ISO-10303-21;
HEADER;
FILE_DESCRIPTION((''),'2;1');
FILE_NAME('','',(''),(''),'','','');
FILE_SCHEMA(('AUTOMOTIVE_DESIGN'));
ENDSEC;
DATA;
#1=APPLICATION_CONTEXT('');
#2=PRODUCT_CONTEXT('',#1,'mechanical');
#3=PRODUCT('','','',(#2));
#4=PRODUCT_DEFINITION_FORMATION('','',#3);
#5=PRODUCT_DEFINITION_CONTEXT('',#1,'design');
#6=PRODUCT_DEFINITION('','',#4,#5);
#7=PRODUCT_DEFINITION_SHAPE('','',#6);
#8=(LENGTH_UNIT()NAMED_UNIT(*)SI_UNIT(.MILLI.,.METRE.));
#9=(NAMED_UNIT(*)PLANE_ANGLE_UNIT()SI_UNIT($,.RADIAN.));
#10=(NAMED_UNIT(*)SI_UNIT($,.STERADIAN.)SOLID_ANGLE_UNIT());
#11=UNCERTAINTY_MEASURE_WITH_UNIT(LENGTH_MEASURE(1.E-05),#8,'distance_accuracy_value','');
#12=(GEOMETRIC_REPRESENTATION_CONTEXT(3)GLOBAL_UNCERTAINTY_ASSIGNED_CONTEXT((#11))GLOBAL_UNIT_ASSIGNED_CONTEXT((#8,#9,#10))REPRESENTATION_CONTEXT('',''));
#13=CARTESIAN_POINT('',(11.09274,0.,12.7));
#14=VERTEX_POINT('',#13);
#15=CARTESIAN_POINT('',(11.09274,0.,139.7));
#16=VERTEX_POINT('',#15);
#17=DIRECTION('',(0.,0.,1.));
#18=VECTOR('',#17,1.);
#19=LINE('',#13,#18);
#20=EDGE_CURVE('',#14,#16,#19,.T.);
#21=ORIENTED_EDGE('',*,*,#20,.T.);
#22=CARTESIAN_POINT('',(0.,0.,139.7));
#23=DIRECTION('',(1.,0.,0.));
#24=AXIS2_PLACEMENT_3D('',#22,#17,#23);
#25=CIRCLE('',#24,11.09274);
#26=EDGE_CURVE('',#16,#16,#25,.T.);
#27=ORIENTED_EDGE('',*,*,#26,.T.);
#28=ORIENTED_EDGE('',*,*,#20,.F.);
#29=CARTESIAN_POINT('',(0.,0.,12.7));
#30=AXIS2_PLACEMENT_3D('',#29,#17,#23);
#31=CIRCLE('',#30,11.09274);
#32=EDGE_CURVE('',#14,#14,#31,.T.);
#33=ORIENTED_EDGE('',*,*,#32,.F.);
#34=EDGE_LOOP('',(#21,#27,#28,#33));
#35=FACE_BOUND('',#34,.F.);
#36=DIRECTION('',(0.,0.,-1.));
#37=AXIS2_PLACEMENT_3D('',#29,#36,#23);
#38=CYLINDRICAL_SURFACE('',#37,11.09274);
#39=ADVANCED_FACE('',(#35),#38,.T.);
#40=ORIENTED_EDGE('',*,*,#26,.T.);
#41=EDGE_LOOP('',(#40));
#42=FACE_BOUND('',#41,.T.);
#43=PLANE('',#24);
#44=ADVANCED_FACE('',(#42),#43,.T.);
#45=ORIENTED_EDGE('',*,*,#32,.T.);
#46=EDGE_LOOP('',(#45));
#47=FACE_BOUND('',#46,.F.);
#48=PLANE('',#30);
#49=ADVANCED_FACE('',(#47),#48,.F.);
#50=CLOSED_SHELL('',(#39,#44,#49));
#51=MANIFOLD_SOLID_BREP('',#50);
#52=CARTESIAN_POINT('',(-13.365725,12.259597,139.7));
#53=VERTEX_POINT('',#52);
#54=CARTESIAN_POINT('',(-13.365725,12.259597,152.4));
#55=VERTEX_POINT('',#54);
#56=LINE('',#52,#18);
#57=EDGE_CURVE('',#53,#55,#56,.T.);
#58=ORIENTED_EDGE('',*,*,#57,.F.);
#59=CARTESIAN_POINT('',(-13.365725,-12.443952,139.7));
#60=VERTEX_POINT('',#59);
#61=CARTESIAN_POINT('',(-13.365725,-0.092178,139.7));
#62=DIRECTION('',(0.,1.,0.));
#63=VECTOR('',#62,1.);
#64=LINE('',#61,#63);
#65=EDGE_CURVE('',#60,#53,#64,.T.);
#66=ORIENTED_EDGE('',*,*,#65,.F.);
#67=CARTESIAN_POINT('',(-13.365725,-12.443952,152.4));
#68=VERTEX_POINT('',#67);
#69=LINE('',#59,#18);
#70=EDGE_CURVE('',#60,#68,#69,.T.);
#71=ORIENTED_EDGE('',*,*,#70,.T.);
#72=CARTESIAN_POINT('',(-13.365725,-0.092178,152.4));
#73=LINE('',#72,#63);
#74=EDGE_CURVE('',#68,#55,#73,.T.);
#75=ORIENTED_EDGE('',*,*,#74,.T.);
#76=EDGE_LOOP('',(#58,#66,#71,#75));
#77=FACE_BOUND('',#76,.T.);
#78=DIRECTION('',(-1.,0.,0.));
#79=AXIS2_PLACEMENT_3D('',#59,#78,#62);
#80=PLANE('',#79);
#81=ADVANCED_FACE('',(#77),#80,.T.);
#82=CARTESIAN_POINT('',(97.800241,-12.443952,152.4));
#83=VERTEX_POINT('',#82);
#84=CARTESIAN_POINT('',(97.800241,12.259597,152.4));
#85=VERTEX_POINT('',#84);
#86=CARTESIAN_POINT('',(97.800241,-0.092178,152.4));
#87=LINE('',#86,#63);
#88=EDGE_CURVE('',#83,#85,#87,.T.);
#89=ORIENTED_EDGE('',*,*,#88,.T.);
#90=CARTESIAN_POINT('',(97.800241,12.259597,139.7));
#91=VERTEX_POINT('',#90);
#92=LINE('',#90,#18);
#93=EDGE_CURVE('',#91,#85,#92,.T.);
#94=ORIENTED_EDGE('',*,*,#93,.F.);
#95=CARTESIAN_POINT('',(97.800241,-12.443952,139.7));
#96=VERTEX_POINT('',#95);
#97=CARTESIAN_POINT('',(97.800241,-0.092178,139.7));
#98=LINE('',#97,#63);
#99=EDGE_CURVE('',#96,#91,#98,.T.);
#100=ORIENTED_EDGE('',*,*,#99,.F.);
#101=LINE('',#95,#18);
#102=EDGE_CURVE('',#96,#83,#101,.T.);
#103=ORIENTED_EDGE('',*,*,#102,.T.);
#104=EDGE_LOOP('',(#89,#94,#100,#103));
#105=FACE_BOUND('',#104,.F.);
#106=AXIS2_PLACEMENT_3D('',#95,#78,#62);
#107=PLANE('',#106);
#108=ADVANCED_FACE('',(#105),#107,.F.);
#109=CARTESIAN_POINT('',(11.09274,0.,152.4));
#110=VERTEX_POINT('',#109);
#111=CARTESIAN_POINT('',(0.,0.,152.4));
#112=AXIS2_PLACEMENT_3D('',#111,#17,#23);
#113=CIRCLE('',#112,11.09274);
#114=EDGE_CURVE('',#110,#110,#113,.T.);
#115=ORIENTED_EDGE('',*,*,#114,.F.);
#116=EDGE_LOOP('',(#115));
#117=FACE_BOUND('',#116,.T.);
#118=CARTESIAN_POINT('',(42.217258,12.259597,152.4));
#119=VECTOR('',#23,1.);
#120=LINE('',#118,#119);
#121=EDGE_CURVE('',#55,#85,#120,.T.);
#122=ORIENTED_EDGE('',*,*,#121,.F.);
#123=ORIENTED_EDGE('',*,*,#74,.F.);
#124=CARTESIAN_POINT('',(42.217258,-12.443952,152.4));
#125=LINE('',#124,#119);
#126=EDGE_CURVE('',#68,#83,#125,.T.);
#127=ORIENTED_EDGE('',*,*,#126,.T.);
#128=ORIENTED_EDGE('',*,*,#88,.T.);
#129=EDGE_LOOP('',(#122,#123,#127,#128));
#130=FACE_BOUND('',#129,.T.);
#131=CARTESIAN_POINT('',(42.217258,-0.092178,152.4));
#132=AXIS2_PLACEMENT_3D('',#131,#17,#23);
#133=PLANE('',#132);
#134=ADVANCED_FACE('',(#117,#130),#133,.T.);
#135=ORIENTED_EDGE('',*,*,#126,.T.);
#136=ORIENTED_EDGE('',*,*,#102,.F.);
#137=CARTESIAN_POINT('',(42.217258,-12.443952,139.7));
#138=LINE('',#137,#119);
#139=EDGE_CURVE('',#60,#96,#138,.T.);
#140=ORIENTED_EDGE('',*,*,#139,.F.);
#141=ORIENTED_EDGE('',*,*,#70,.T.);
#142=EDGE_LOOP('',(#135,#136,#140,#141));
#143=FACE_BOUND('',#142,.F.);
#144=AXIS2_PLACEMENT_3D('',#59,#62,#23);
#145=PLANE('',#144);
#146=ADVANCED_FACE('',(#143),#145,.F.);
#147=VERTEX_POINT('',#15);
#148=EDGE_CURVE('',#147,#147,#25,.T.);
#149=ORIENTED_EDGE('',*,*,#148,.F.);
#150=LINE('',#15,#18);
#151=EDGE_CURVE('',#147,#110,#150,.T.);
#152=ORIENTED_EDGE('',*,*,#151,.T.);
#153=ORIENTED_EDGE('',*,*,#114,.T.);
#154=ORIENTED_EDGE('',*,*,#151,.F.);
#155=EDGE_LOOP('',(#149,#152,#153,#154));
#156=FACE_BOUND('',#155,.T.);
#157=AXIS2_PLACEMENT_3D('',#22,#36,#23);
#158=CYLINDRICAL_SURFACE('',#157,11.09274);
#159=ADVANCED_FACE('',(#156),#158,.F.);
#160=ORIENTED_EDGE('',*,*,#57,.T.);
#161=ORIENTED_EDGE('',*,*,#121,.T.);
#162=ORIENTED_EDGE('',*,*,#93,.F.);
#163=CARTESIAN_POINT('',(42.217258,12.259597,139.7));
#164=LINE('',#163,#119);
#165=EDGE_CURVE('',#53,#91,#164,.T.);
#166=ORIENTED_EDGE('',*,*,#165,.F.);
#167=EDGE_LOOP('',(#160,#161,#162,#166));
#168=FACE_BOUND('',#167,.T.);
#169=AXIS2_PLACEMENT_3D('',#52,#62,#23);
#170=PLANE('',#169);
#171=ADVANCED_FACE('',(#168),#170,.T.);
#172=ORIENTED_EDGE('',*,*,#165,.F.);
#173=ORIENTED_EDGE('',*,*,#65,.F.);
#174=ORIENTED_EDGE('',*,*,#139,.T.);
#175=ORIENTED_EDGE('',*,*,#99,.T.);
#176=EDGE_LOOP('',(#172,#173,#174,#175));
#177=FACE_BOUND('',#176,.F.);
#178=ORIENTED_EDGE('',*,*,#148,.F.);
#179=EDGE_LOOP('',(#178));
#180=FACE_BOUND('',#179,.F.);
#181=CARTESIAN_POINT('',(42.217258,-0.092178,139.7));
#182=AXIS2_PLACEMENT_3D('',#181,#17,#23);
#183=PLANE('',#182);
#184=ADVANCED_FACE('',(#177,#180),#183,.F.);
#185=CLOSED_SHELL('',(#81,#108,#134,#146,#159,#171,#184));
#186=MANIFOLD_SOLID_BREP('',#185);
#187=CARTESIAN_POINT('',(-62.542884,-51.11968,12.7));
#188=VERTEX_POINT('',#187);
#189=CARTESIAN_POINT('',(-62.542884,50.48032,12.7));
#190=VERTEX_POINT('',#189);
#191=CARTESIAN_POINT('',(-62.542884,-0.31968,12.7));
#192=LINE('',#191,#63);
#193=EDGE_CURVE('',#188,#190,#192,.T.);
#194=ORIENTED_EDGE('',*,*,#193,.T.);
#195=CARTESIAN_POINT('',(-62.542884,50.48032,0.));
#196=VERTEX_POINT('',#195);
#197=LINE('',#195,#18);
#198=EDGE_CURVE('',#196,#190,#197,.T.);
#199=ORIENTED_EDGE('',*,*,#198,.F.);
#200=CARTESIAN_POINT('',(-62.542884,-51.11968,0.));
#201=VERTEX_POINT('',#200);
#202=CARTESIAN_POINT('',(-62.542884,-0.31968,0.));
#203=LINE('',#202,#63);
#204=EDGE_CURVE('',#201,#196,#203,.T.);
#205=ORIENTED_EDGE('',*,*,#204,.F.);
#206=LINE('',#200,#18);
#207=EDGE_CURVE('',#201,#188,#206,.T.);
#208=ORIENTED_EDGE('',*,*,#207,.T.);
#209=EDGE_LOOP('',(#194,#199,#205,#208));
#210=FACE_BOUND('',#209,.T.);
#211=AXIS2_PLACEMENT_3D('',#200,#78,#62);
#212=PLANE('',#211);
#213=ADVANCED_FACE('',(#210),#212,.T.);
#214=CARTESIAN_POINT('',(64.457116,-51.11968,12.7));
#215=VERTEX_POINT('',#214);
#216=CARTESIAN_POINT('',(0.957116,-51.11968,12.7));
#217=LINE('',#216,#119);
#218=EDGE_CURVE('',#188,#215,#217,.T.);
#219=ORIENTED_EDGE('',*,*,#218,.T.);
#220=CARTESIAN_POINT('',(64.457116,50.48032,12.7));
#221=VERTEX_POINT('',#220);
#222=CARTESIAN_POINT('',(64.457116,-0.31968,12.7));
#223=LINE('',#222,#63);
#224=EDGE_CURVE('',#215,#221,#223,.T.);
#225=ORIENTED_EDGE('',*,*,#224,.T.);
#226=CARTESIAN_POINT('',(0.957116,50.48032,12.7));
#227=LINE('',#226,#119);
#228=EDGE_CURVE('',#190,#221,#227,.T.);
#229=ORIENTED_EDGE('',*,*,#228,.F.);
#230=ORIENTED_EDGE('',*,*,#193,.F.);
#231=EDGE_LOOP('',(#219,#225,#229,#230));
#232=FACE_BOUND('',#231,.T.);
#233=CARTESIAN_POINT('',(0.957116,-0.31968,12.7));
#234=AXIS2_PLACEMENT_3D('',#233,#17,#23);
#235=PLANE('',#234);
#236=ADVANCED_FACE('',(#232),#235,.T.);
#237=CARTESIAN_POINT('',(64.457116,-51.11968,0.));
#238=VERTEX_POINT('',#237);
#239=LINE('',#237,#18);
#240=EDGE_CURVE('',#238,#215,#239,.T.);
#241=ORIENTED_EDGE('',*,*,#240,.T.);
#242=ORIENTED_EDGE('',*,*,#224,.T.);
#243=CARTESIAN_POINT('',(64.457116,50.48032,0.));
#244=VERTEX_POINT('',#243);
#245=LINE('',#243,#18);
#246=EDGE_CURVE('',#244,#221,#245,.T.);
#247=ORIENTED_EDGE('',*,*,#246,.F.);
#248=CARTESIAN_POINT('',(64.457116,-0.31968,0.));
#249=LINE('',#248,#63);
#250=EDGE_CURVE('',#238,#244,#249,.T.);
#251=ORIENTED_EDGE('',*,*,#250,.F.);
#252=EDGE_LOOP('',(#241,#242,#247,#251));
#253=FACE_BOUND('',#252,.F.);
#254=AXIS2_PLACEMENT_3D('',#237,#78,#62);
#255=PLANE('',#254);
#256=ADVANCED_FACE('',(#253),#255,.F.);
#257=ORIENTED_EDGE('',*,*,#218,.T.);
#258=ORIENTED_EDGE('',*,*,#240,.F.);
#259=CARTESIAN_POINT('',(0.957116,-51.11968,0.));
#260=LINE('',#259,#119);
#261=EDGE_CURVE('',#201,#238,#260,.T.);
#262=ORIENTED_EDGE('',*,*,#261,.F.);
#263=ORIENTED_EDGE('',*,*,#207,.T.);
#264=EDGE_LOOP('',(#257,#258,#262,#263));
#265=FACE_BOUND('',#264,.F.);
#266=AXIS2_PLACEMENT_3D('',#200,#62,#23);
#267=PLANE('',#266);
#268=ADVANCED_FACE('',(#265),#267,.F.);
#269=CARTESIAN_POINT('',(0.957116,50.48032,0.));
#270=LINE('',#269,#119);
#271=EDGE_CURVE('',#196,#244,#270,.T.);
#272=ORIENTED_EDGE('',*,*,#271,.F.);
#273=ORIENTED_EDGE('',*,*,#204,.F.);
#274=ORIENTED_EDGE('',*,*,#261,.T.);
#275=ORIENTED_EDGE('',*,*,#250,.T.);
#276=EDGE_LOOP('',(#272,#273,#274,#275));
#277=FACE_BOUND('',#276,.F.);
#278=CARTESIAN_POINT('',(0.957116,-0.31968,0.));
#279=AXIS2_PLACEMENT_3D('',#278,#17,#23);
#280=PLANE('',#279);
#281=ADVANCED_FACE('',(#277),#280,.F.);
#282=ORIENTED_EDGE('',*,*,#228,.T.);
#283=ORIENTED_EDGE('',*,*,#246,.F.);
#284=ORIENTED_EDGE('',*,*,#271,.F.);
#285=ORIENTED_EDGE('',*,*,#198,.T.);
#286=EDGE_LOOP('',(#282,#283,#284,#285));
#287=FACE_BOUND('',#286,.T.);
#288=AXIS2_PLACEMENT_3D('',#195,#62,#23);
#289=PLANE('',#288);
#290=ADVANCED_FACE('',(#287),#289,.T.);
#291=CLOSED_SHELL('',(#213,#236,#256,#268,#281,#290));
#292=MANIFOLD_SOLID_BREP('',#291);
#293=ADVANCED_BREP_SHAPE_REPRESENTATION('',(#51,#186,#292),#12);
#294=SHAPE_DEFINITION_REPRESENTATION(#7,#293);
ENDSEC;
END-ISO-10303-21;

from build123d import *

# Parameters (mm, degrees)
F0_W     = 127
F0_H     = 101.6
F1_DEPTH = 12.7
F2_R     = 11.09274
F3_DEPTH = 127
F4_W     = 111.165965
F4_H     = 24.703549
F4_R     = 11.09274
F5_DEPTH = 12.7


with BuildPart() as f1:
    # F0 (on Top) → F1 (new body)
    with BuildSketch(Plane.XY):
        with Locations((0.957116, -0.31968)):
            Rectangle(F0_W, F0_H)
    extrude(amount=F1_DEPTH)


with BuildPart() as f3:
    # F2 (on face) → F3 (new body)
    with BuildSketch(Plane.XY.offset(12.7)):
        Circle(F2_R)
    extrude(amount=F3_DEPTH)


with BuildPart() as f5:
    # F4 (on face) → F5 (new body)
    with BuildSketch(Plane.XY.offset(139.7)):
        with Locations((42.217258, -0.092178)):
            Rectangle(F4_W, F4_H)
        Circle(F4_R, mode=Mode.SUBTRACT)
    extrude(amount=F5_DEPTH)


solid = Compound([f1.part, f3.part, f5.part])
